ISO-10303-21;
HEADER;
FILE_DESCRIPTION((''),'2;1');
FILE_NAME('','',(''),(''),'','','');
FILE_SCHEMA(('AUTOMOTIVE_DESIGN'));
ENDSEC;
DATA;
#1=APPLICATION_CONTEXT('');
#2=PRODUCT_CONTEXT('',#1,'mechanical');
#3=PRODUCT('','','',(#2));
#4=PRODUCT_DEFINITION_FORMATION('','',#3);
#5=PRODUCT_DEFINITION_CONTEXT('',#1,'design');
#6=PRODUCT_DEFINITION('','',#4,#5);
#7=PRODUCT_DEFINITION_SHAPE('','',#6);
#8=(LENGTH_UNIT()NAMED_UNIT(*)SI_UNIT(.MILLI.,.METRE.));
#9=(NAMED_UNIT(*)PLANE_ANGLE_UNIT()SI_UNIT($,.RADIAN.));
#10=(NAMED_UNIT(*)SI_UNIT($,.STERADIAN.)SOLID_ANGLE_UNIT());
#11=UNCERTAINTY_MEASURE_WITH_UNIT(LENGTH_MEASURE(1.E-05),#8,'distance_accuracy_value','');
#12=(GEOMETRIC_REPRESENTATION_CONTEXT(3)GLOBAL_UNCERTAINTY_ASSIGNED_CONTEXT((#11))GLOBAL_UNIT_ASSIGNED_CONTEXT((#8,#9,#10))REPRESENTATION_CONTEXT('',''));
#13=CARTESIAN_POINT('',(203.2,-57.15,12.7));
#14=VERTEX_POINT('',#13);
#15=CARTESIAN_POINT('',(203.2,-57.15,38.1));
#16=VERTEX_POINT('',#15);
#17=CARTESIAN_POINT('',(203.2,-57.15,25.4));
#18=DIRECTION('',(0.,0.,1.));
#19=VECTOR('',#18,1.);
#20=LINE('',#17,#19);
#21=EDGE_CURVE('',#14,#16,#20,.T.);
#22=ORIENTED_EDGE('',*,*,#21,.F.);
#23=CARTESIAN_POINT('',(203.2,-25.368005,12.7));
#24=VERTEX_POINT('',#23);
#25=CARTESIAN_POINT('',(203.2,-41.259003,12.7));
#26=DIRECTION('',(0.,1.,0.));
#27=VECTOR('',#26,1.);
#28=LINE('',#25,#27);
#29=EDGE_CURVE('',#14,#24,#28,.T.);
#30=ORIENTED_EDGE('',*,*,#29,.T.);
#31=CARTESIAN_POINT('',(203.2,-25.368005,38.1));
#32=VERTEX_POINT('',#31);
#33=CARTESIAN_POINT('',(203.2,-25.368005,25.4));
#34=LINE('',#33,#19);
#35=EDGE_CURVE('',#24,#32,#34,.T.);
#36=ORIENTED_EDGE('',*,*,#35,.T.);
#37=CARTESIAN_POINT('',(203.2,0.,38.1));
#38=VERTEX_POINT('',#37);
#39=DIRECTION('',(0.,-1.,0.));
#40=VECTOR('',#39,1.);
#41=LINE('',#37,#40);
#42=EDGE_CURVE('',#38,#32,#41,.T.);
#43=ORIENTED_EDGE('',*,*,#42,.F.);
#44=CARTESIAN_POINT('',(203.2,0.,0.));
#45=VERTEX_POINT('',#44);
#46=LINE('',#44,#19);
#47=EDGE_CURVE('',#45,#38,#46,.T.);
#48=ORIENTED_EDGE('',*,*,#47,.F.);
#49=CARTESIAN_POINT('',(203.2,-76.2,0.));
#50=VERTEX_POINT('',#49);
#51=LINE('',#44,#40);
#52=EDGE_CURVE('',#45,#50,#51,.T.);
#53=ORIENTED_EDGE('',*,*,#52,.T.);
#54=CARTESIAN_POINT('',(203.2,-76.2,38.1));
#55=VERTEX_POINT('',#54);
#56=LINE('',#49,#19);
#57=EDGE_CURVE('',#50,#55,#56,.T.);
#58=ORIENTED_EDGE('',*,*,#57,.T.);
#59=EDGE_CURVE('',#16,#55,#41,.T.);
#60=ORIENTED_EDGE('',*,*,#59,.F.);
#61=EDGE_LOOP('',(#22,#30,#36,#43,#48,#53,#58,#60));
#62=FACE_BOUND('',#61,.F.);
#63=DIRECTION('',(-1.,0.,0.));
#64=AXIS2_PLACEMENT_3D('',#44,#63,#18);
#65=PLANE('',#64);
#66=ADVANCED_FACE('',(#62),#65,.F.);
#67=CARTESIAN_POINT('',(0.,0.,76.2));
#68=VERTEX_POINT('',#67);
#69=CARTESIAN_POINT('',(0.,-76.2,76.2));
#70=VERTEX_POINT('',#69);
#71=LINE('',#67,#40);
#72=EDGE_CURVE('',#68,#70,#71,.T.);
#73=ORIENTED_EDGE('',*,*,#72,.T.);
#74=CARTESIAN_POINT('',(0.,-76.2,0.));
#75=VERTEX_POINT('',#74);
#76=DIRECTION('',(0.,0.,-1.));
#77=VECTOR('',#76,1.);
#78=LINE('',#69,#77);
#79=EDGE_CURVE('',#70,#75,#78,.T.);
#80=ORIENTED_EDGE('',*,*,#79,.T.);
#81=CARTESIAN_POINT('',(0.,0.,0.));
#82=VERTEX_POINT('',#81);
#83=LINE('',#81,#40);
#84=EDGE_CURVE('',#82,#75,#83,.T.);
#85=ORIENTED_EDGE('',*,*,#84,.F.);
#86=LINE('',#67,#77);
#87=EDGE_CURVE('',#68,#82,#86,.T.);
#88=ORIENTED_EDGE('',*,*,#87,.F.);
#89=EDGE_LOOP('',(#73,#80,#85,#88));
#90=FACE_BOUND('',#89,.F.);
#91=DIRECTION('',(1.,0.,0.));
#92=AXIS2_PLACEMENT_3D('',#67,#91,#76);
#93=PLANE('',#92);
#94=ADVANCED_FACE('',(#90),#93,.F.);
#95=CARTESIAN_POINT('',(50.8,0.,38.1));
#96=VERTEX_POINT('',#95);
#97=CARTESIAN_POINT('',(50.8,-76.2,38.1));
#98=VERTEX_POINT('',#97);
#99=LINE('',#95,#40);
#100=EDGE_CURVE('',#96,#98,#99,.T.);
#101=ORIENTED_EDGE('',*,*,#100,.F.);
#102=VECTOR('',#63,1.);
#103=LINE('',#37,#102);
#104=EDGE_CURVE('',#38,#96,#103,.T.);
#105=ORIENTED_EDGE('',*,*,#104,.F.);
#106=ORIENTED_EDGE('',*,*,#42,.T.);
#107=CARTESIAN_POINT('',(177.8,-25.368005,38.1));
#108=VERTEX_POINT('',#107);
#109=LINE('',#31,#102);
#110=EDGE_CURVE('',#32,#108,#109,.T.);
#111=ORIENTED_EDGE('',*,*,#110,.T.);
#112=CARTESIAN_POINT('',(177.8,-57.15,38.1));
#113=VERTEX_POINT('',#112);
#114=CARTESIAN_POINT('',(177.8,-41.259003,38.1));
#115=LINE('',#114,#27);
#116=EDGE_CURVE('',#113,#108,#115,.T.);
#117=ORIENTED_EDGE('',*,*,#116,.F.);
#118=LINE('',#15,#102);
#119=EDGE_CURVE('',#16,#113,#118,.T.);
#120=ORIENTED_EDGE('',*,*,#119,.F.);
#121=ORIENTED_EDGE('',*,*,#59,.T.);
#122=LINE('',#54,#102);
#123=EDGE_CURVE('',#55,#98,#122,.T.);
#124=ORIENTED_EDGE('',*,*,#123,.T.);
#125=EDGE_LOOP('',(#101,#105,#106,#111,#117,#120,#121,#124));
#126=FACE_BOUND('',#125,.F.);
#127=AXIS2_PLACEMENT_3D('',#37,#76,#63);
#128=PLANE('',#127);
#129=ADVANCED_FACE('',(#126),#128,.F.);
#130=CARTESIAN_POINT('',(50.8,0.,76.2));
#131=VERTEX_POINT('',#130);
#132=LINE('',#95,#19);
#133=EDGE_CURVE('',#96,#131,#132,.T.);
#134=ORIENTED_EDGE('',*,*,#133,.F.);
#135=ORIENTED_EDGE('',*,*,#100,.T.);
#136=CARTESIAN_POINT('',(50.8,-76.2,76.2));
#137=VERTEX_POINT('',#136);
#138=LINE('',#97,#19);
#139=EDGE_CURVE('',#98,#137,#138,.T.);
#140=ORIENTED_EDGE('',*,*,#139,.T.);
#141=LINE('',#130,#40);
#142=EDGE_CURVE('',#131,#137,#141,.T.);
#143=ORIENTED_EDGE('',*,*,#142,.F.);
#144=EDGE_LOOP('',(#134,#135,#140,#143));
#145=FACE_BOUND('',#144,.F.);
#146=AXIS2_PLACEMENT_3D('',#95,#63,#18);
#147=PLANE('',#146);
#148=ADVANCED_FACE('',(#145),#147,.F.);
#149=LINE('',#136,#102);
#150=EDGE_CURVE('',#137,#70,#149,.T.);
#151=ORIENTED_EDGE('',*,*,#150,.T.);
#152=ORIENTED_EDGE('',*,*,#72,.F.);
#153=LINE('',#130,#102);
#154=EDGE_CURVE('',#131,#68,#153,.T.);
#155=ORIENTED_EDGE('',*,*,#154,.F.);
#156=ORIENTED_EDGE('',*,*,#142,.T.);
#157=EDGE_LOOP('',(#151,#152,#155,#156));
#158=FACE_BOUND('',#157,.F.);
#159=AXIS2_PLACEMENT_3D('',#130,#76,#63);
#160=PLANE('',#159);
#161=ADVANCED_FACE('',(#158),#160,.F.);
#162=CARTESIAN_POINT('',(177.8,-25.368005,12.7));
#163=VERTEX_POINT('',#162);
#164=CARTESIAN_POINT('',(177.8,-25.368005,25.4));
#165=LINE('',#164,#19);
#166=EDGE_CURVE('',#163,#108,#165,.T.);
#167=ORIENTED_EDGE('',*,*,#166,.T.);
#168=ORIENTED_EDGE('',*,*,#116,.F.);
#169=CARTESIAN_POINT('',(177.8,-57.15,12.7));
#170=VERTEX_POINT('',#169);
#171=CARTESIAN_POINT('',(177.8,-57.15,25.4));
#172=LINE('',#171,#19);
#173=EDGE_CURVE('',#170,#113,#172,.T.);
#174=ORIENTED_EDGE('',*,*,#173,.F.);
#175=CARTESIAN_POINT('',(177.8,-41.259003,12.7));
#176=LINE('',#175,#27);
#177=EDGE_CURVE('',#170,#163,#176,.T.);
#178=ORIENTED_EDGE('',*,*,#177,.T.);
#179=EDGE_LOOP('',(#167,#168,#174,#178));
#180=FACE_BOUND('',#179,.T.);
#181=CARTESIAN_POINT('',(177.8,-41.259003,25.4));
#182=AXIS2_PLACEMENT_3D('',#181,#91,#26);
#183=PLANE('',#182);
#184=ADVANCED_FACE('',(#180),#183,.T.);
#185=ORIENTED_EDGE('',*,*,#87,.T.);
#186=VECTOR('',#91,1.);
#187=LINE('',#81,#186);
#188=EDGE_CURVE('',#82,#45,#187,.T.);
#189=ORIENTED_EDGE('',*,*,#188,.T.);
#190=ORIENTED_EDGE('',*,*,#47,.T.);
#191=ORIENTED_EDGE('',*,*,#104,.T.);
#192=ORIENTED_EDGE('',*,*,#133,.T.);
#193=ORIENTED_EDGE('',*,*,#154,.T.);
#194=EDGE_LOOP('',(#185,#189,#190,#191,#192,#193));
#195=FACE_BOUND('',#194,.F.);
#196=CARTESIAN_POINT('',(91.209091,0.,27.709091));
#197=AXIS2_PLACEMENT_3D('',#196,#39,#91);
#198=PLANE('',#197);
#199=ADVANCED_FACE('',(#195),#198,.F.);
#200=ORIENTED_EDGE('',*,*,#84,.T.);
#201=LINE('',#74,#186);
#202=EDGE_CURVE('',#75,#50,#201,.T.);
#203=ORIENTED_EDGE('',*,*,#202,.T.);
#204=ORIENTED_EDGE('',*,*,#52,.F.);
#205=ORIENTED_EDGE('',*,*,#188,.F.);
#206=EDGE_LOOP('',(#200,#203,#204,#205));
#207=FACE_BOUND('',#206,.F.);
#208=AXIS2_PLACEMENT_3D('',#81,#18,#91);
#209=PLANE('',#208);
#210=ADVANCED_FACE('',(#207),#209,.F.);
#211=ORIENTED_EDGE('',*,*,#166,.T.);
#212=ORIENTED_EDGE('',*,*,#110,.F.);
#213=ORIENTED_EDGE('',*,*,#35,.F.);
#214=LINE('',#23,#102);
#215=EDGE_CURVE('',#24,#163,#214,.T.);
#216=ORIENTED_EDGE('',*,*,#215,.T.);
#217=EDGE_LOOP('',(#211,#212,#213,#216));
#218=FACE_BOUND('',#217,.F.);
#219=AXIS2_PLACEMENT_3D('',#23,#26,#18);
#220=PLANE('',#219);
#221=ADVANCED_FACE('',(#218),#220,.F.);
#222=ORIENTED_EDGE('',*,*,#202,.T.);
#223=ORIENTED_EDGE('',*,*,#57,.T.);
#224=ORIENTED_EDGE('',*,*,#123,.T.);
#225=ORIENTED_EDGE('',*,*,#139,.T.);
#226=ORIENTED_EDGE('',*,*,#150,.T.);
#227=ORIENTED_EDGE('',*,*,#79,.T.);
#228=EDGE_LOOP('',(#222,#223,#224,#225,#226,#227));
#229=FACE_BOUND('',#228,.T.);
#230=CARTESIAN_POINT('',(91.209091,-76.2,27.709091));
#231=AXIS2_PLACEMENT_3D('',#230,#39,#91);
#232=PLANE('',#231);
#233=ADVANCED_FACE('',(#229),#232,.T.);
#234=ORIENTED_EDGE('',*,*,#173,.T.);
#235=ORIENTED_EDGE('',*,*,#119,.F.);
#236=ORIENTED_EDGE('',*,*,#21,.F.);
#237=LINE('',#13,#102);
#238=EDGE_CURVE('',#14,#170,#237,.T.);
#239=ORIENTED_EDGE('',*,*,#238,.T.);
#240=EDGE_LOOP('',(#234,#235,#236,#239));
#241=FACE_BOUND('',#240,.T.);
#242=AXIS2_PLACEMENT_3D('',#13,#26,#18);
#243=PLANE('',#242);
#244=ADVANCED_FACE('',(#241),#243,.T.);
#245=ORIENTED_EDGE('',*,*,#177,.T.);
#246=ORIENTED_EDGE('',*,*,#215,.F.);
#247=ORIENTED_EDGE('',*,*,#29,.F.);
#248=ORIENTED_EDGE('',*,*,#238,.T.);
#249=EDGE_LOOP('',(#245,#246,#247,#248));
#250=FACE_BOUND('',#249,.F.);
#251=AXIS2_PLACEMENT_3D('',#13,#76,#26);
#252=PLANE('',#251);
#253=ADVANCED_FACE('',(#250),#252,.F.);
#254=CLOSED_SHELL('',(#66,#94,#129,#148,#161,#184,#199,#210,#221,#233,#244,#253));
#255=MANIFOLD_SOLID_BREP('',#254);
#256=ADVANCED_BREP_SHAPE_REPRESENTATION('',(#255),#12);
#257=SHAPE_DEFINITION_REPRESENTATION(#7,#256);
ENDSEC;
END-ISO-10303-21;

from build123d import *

# Parameters (mm, degrees)
F1_DEPTH = 76.2
F2_W     = 31.781995
F2_H     = 25.4
F3_DEPTH = 25.4


with BuildPart() as f1:
    # F0 (on Front) → F1 (new body)
    with BuildSketch(Plane.XZ):
        Polygon((0, 76.2), (0, 0), (203.2, 0), (203.2, 38.1), (50.8, 38.1), (50.8, 76.2), align=None)
    extrude(amount=F1_DEPTH)

    # F2 (on face) → F3 (cut)
    with BuildSketch(Plane.YZ.offset(203.2)):
        with Locations((-41.259003, 25.4)):
            Rectangle(F2_W, F2_H)
    extrude(amount=-F3_DEPTH, mode=Mode.SUBTRACT)


solid = f1.part
